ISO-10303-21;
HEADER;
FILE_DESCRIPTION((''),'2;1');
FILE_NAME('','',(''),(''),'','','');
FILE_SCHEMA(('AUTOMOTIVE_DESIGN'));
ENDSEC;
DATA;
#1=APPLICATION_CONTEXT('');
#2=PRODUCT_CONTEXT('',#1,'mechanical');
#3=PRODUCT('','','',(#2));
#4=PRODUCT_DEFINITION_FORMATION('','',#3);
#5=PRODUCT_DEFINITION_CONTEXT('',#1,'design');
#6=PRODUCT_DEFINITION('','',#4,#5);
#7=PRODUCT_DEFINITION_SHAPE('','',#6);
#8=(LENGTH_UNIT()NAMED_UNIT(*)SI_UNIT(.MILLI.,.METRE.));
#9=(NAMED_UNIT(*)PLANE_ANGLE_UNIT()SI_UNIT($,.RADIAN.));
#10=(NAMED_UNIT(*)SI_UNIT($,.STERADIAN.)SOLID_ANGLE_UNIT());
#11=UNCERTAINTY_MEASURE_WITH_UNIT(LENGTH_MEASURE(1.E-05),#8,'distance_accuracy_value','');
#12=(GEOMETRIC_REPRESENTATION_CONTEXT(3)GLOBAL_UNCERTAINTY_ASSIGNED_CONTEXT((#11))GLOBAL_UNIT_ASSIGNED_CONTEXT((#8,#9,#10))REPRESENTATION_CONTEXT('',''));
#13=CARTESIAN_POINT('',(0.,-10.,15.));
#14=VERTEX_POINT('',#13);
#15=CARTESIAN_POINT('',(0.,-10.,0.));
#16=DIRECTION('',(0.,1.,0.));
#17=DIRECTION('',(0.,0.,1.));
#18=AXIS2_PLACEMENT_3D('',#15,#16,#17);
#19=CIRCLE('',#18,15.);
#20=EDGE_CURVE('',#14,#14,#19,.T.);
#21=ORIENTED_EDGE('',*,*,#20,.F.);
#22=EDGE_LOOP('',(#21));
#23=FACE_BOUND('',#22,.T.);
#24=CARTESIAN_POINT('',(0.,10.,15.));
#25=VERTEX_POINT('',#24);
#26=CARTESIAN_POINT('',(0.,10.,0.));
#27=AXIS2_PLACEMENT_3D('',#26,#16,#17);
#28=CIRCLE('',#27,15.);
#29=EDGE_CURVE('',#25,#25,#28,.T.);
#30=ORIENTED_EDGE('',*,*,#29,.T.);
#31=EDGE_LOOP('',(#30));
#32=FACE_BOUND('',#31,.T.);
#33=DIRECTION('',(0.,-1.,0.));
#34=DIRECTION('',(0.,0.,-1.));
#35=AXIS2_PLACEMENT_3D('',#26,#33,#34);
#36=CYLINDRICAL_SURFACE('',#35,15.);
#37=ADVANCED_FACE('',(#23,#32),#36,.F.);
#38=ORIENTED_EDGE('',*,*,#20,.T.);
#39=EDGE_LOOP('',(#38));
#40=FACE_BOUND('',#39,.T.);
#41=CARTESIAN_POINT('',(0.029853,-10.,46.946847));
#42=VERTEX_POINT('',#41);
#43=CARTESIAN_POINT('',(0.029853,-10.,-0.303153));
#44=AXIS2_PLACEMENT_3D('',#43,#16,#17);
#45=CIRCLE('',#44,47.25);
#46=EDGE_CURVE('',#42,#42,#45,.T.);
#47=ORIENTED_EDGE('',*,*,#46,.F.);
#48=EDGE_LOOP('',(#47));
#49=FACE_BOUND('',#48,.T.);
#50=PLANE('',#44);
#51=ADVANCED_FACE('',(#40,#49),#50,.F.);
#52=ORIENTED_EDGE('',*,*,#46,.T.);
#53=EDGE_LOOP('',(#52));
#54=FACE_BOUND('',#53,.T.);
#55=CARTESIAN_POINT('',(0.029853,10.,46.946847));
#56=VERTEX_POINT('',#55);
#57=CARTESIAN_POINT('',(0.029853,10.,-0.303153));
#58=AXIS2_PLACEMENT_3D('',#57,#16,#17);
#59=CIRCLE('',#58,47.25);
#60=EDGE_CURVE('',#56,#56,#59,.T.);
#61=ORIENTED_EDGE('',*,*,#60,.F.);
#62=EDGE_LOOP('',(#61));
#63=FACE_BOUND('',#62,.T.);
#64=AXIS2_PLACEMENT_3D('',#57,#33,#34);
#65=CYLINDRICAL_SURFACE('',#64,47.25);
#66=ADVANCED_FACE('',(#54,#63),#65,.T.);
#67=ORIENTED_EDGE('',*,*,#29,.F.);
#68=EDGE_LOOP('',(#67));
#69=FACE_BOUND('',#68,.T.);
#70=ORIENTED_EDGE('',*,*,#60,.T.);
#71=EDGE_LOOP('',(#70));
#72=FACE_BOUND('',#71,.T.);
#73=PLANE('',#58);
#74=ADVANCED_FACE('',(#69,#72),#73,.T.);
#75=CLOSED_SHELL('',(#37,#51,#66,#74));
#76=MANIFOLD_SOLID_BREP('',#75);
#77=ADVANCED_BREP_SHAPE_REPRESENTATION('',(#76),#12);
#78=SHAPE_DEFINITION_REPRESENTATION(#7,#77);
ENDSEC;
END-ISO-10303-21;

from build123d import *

# Parameters (mm, degrees)
SKETCH1_R           = 47.25
SKETCH1_R_2         = 15
BOSS_EXTRUDE1_DEPTH = 10


with BuildPart() as part:
    # Sketch1 → Boss-Extrude1 (new, symmetric)
    with BuildSketch(Plane(origin=(0, 0, 0), x_dir=(1, 0, 0), z_dir=(0, 1, 0))):
        with Locations(Location((0.029853375, 0.303152688, 0), (0, 0, 270))):
            Circle(SKETCH1_R)
        with Locations(Location((0, 0, 0), (0, 0, 270))):
            Circle(SKETCH1_R_2, mode=Mode.SUBTRACT)
    extrude(amount=BOSS_EXTRUDE1_DEPTH, both=True)


solid = part.part
